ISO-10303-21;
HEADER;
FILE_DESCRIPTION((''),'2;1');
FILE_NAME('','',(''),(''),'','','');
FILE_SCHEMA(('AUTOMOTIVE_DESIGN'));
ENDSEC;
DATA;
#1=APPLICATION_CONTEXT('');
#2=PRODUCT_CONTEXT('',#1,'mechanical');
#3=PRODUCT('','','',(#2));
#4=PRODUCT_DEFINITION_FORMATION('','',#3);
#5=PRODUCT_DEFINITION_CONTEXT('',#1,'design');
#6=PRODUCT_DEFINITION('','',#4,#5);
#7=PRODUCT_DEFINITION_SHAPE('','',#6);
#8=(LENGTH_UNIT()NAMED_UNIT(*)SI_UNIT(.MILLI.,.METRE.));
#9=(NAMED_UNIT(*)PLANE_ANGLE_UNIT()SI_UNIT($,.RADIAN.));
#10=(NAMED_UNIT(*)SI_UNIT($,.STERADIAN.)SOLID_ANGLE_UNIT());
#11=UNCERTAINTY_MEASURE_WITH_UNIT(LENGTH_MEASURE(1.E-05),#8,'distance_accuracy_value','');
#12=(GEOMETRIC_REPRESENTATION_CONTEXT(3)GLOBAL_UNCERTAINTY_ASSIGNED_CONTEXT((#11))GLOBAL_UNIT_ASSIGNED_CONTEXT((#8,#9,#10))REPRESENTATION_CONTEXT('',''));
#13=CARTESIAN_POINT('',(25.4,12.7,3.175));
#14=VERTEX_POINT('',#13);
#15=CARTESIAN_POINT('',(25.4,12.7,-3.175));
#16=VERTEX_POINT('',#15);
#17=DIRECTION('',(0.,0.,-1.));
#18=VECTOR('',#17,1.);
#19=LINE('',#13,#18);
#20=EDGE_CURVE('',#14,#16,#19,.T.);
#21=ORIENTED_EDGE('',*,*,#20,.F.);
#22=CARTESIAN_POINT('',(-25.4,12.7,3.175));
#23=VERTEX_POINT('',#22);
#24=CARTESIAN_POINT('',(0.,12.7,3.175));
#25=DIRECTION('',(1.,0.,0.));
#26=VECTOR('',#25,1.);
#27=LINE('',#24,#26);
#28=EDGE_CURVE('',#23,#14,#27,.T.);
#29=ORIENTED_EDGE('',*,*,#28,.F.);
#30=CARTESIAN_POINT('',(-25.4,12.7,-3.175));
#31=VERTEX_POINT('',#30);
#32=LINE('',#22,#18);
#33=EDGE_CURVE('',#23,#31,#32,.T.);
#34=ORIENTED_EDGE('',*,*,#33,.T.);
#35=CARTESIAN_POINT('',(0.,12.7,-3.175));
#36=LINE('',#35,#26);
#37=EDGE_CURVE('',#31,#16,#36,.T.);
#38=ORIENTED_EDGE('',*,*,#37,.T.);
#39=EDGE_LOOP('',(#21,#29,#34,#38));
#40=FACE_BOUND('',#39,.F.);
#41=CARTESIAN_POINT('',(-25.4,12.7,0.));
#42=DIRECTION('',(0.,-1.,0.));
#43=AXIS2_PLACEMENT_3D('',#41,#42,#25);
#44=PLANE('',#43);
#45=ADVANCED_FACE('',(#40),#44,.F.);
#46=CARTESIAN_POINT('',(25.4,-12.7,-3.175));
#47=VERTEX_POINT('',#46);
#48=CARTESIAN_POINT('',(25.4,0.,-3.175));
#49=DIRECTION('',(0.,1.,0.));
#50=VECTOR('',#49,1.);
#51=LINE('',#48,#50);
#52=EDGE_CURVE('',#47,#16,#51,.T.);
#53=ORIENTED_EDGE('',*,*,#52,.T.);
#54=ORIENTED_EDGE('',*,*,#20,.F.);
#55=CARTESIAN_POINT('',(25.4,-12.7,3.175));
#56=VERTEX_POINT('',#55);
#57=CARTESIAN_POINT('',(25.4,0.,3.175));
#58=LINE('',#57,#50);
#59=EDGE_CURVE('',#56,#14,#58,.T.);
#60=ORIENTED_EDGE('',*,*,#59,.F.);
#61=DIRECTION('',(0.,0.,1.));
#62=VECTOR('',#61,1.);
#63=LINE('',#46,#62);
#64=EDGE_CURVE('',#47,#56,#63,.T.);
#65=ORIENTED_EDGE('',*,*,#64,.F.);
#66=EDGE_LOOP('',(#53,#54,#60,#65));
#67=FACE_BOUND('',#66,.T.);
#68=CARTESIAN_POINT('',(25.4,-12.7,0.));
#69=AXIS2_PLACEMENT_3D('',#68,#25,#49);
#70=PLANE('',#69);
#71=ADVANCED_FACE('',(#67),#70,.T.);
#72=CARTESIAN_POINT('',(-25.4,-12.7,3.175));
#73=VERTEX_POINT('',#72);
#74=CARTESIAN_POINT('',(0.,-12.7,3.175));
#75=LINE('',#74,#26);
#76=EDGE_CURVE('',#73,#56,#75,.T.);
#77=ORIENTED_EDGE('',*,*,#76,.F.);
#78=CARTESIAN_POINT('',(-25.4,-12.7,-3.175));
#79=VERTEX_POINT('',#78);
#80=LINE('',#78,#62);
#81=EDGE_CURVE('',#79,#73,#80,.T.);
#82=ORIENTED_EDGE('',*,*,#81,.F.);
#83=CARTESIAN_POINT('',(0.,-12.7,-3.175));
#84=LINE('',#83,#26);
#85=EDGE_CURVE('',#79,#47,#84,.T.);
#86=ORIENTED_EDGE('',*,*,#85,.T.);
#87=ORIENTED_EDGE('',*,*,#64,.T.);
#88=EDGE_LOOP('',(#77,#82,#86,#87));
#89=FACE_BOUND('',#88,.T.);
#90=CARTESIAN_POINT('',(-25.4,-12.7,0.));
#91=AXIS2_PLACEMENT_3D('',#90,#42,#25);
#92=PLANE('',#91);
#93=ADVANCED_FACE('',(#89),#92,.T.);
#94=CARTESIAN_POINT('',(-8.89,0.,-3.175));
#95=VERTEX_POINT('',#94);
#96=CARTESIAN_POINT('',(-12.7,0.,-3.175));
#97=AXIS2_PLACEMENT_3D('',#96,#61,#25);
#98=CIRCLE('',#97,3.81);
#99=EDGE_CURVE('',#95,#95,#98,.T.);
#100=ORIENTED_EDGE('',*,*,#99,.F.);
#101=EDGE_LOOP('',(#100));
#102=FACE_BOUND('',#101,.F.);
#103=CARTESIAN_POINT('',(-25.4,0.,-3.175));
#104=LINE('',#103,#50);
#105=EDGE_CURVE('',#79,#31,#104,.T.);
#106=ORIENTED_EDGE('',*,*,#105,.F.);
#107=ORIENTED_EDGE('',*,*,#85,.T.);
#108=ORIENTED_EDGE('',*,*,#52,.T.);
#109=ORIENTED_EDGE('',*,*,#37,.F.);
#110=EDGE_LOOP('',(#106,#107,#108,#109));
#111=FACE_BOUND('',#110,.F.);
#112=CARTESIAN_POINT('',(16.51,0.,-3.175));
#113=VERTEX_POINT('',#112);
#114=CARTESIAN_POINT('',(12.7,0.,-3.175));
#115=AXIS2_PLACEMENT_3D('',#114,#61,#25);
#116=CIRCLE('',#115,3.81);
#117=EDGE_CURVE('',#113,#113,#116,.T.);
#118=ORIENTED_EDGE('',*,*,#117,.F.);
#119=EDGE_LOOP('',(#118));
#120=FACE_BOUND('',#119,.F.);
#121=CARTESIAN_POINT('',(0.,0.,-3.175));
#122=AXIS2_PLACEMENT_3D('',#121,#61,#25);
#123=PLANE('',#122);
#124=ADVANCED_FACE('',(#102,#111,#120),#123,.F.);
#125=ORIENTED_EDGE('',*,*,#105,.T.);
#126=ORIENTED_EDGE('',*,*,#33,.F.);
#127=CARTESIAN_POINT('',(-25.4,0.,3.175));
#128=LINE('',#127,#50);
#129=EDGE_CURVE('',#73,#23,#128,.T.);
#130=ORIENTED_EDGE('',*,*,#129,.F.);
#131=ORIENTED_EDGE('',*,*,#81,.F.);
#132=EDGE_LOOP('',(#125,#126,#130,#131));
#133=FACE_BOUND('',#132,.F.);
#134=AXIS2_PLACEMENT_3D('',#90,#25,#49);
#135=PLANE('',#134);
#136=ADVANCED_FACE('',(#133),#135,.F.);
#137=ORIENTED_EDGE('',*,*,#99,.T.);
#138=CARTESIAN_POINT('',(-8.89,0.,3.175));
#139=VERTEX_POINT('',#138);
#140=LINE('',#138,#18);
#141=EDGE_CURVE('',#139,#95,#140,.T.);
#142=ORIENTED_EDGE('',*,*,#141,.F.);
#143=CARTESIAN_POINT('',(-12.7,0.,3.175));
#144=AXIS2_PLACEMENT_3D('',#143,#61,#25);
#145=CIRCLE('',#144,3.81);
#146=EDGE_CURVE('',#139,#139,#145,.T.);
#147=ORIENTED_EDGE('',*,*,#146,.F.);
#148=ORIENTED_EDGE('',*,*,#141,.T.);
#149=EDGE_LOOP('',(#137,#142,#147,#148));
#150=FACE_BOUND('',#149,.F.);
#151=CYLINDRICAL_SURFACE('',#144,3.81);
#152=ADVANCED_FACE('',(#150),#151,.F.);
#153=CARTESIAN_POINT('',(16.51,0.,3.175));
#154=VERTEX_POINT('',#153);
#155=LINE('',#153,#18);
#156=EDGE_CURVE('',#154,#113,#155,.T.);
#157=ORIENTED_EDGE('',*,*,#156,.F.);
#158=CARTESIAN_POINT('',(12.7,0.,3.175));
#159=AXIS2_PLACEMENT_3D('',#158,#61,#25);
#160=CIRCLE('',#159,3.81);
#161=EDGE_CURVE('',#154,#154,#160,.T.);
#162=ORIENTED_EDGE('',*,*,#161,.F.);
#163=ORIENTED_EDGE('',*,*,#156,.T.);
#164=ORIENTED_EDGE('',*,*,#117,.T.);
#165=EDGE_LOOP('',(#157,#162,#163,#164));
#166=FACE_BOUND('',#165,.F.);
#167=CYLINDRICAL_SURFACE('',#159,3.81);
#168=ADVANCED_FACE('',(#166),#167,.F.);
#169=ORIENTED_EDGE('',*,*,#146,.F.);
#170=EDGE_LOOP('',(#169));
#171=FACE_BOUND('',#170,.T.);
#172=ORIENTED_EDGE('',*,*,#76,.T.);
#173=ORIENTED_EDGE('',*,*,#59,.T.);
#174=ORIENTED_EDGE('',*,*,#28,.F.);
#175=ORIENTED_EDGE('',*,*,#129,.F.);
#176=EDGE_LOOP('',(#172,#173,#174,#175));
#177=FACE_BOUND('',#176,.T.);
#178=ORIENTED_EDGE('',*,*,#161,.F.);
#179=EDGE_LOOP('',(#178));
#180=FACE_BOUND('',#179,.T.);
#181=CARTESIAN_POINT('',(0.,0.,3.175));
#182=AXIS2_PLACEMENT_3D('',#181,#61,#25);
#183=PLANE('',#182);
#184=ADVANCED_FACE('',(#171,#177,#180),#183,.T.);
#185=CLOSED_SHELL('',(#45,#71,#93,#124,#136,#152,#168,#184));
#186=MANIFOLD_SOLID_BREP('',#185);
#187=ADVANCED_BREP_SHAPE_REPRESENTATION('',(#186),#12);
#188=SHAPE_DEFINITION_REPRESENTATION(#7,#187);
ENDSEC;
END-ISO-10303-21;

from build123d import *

# Parameters (mm, degrees)
F0_W     = 50.8
F0_H     = 25.4
F1_DEPTH = 3.175
F2_R     = 3.81
F3_DEPTH = 25.4


with BuildPart() as f1:
    # F0 (on Top) → F1 (new body, symmetric)
    with BuildSketch(Plane.XY):
        Rectangle(F0_W, F0_H)
    extrude(amount=F1_DEPTH, both=True)

    # F2 (on face) → F3 (cut)
    with BuildSketch(Plane.XY.offset(3.175)):
        with Locations((-12.7, 0)):
            Circle(F2_R)
        with Locations((12.7, 0)):
            Circle(F2_R)
    extrude(amount=-F3_DEPTH, mode=Mode.SUBTRACT)


solid = f1.part
